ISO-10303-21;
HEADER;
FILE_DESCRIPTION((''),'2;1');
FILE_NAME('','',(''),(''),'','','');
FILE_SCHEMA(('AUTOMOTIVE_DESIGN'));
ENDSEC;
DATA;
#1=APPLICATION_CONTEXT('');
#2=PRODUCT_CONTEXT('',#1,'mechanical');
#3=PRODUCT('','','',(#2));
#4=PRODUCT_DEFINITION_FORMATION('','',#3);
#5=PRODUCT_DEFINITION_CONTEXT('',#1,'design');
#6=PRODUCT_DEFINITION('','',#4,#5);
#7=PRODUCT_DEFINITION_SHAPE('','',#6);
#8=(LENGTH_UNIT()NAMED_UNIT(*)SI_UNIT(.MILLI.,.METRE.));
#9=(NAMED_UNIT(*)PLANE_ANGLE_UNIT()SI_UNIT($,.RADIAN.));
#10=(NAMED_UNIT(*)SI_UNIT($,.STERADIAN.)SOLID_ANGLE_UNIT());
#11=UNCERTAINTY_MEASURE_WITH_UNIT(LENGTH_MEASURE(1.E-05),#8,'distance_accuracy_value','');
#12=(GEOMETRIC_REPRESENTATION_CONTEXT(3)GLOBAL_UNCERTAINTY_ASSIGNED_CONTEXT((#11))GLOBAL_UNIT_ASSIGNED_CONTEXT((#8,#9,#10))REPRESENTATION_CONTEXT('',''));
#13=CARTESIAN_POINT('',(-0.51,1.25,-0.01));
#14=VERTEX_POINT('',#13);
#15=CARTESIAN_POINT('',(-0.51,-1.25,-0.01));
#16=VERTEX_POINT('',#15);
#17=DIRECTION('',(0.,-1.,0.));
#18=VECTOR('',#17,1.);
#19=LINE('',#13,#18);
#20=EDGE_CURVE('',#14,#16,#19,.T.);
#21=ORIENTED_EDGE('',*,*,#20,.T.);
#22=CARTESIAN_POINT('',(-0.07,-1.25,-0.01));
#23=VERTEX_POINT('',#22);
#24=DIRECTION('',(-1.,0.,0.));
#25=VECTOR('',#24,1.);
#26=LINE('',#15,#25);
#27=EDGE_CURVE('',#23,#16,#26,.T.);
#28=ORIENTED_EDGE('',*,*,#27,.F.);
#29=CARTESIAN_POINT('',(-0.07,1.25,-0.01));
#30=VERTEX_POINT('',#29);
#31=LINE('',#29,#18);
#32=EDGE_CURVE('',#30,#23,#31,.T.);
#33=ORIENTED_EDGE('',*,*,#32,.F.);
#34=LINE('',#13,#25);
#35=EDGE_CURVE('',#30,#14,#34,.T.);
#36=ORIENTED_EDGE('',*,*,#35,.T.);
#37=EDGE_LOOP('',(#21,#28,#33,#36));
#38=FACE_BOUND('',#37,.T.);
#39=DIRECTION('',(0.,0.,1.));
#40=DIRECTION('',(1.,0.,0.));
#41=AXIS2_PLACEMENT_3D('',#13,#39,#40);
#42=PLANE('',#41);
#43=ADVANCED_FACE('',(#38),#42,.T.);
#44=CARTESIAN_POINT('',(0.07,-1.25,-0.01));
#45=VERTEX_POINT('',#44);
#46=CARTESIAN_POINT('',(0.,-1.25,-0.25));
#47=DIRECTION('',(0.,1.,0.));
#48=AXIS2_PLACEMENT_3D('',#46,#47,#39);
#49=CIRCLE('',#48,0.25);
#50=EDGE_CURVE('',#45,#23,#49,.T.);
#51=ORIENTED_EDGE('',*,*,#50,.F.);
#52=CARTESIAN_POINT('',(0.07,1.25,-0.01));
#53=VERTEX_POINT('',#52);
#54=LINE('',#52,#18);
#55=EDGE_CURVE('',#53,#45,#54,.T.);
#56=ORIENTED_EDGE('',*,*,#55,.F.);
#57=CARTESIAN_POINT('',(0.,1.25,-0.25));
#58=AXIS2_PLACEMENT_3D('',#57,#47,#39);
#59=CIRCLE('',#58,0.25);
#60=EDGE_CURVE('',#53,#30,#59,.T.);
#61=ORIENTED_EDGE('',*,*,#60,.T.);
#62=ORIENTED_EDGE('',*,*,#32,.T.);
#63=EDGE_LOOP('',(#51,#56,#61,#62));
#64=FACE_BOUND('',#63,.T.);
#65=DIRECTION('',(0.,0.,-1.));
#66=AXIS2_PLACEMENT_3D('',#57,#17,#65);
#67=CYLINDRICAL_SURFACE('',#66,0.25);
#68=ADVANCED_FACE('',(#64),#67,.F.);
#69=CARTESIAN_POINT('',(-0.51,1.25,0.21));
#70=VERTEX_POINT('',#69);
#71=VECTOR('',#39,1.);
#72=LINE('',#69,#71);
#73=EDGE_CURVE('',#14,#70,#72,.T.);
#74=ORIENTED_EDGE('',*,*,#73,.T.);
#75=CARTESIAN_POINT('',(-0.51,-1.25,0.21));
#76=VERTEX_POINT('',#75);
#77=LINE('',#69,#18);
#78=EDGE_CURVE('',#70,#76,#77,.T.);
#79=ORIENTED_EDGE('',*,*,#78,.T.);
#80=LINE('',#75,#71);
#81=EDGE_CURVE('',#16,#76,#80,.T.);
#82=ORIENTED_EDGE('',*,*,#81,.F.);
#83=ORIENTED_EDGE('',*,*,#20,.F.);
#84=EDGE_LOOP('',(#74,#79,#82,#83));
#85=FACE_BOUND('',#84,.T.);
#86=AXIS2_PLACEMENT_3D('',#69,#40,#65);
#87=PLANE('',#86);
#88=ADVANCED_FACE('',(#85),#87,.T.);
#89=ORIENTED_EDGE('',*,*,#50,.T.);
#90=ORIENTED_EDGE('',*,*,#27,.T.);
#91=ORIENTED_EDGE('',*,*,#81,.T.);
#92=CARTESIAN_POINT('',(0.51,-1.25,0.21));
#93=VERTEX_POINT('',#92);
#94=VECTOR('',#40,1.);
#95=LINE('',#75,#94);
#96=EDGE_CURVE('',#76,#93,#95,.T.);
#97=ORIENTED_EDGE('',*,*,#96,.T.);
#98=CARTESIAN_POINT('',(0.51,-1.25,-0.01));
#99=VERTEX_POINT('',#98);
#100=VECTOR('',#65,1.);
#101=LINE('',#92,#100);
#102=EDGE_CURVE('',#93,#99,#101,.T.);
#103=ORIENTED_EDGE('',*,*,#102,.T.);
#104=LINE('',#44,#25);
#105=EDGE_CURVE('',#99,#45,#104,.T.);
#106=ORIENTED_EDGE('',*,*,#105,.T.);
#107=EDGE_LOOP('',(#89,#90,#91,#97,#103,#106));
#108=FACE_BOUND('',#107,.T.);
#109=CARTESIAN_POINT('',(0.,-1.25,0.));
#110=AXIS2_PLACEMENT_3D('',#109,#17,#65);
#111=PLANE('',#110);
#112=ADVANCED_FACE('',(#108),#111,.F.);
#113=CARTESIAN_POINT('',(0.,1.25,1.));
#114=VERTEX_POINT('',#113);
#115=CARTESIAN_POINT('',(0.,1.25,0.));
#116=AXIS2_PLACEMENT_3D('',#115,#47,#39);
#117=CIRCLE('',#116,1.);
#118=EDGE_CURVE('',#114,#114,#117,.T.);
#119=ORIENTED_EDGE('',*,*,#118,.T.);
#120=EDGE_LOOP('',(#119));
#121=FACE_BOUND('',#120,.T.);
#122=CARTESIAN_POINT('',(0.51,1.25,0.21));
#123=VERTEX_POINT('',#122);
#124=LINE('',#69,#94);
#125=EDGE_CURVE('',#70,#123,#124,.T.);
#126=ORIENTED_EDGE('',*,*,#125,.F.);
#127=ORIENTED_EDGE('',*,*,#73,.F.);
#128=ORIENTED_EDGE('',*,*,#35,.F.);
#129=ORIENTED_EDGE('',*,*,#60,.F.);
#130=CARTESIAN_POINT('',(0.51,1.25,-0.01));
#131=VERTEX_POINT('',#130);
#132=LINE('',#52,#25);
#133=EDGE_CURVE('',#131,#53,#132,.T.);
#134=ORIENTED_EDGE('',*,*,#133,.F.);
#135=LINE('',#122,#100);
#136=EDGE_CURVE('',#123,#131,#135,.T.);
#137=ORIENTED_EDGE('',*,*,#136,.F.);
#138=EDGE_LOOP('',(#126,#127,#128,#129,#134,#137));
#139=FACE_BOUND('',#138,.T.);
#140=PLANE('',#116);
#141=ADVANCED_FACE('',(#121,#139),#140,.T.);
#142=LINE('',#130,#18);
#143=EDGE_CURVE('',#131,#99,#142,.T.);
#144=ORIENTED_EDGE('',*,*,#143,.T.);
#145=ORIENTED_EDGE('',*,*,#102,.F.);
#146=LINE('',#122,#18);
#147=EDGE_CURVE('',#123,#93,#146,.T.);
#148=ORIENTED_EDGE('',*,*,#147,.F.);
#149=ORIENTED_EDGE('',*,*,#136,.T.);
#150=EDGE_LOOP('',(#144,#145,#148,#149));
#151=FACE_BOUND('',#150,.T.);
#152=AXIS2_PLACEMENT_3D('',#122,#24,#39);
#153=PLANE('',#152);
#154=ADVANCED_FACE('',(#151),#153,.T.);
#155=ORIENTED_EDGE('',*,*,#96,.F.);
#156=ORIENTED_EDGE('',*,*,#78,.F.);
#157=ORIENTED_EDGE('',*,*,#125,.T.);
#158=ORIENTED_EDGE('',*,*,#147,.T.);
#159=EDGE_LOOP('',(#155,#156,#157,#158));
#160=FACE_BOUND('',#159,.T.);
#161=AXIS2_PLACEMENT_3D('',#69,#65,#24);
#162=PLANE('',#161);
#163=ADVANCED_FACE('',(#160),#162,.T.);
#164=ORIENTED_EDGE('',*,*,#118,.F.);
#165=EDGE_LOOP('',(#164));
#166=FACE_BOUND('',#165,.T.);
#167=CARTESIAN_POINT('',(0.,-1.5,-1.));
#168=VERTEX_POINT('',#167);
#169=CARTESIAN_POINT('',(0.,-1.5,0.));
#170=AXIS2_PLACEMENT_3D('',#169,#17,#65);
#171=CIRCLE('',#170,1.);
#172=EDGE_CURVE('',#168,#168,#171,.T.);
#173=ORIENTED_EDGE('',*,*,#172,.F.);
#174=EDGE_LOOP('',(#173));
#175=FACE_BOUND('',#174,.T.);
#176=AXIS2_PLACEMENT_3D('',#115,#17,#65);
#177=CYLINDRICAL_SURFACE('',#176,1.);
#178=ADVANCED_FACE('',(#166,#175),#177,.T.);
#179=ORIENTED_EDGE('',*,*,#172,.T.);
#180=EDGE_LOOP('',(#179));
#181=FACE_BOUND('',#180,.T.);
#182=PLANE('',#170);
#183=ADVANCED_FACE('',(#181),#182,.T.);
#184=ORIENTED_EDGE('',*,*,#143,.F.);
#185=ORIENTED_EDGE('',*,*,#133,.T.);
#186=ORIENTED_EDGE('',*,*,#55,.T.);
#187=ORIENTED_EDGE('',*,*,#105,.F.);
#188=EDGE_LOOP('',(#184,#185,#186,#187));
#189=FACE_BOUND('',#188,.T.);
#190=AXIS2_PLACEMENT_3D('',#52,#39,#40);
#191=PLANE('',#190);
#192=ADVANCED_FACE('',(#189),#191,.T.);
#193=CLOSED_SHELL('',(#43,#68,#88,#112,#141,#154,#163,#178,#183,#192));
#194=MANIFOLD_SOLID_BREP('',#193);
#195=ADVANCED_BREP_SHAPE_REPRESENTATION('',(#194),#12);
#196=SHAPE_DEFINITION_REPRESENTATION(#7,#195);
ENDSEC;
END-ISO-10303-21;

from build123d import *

# Parameters (mm, degrees)
SKETCH1_R           = 1
BOSS_EXTRUDE1_DEPTH = 1.25
SKETCH3_R           = 1
BOSS_EXTRUDE2_DEPTH = 0.25


with BuildPart() as part:
    # Sketch1 → Boss-Extrude1 (new body, symmetric)
    with BuildSketch(Plane(origin=(0, 0, 0), x_dir=(1, 0, 0), z_dir=(0, 1, 0))):
        Circle(SKETCH1_R)
        with BuildLine():
            Line((-0.51, -0.21), (0.51, -0.21))
            Line((0.51, -0.21), (0.51, 0.01))
            Line((0.51, 0.01), (0.07, 0.01))
            ThreePointArc((0.07, 0.01), (0, 0.5), (-0.07, 0.01))
            Line((-0.07, 0.01), (-0.51, 0.01))
            Line((-0.51, 0.01), (-0.51, -0.21))
        make_face(mode=Mode.SUBTRACT)
    extrude(amount=BOSS_EXTRUDE1_DEPTH, both=True)

    # Sketch3 → Boss-Extrude2 (add)
    with BuildSketch(Plane.XZ.offset(1.25)):
        Circle(SKETCH3_R)
    extrude(amount=BOSS_EXTRUDE2_DEPTH)


solid = part.part
